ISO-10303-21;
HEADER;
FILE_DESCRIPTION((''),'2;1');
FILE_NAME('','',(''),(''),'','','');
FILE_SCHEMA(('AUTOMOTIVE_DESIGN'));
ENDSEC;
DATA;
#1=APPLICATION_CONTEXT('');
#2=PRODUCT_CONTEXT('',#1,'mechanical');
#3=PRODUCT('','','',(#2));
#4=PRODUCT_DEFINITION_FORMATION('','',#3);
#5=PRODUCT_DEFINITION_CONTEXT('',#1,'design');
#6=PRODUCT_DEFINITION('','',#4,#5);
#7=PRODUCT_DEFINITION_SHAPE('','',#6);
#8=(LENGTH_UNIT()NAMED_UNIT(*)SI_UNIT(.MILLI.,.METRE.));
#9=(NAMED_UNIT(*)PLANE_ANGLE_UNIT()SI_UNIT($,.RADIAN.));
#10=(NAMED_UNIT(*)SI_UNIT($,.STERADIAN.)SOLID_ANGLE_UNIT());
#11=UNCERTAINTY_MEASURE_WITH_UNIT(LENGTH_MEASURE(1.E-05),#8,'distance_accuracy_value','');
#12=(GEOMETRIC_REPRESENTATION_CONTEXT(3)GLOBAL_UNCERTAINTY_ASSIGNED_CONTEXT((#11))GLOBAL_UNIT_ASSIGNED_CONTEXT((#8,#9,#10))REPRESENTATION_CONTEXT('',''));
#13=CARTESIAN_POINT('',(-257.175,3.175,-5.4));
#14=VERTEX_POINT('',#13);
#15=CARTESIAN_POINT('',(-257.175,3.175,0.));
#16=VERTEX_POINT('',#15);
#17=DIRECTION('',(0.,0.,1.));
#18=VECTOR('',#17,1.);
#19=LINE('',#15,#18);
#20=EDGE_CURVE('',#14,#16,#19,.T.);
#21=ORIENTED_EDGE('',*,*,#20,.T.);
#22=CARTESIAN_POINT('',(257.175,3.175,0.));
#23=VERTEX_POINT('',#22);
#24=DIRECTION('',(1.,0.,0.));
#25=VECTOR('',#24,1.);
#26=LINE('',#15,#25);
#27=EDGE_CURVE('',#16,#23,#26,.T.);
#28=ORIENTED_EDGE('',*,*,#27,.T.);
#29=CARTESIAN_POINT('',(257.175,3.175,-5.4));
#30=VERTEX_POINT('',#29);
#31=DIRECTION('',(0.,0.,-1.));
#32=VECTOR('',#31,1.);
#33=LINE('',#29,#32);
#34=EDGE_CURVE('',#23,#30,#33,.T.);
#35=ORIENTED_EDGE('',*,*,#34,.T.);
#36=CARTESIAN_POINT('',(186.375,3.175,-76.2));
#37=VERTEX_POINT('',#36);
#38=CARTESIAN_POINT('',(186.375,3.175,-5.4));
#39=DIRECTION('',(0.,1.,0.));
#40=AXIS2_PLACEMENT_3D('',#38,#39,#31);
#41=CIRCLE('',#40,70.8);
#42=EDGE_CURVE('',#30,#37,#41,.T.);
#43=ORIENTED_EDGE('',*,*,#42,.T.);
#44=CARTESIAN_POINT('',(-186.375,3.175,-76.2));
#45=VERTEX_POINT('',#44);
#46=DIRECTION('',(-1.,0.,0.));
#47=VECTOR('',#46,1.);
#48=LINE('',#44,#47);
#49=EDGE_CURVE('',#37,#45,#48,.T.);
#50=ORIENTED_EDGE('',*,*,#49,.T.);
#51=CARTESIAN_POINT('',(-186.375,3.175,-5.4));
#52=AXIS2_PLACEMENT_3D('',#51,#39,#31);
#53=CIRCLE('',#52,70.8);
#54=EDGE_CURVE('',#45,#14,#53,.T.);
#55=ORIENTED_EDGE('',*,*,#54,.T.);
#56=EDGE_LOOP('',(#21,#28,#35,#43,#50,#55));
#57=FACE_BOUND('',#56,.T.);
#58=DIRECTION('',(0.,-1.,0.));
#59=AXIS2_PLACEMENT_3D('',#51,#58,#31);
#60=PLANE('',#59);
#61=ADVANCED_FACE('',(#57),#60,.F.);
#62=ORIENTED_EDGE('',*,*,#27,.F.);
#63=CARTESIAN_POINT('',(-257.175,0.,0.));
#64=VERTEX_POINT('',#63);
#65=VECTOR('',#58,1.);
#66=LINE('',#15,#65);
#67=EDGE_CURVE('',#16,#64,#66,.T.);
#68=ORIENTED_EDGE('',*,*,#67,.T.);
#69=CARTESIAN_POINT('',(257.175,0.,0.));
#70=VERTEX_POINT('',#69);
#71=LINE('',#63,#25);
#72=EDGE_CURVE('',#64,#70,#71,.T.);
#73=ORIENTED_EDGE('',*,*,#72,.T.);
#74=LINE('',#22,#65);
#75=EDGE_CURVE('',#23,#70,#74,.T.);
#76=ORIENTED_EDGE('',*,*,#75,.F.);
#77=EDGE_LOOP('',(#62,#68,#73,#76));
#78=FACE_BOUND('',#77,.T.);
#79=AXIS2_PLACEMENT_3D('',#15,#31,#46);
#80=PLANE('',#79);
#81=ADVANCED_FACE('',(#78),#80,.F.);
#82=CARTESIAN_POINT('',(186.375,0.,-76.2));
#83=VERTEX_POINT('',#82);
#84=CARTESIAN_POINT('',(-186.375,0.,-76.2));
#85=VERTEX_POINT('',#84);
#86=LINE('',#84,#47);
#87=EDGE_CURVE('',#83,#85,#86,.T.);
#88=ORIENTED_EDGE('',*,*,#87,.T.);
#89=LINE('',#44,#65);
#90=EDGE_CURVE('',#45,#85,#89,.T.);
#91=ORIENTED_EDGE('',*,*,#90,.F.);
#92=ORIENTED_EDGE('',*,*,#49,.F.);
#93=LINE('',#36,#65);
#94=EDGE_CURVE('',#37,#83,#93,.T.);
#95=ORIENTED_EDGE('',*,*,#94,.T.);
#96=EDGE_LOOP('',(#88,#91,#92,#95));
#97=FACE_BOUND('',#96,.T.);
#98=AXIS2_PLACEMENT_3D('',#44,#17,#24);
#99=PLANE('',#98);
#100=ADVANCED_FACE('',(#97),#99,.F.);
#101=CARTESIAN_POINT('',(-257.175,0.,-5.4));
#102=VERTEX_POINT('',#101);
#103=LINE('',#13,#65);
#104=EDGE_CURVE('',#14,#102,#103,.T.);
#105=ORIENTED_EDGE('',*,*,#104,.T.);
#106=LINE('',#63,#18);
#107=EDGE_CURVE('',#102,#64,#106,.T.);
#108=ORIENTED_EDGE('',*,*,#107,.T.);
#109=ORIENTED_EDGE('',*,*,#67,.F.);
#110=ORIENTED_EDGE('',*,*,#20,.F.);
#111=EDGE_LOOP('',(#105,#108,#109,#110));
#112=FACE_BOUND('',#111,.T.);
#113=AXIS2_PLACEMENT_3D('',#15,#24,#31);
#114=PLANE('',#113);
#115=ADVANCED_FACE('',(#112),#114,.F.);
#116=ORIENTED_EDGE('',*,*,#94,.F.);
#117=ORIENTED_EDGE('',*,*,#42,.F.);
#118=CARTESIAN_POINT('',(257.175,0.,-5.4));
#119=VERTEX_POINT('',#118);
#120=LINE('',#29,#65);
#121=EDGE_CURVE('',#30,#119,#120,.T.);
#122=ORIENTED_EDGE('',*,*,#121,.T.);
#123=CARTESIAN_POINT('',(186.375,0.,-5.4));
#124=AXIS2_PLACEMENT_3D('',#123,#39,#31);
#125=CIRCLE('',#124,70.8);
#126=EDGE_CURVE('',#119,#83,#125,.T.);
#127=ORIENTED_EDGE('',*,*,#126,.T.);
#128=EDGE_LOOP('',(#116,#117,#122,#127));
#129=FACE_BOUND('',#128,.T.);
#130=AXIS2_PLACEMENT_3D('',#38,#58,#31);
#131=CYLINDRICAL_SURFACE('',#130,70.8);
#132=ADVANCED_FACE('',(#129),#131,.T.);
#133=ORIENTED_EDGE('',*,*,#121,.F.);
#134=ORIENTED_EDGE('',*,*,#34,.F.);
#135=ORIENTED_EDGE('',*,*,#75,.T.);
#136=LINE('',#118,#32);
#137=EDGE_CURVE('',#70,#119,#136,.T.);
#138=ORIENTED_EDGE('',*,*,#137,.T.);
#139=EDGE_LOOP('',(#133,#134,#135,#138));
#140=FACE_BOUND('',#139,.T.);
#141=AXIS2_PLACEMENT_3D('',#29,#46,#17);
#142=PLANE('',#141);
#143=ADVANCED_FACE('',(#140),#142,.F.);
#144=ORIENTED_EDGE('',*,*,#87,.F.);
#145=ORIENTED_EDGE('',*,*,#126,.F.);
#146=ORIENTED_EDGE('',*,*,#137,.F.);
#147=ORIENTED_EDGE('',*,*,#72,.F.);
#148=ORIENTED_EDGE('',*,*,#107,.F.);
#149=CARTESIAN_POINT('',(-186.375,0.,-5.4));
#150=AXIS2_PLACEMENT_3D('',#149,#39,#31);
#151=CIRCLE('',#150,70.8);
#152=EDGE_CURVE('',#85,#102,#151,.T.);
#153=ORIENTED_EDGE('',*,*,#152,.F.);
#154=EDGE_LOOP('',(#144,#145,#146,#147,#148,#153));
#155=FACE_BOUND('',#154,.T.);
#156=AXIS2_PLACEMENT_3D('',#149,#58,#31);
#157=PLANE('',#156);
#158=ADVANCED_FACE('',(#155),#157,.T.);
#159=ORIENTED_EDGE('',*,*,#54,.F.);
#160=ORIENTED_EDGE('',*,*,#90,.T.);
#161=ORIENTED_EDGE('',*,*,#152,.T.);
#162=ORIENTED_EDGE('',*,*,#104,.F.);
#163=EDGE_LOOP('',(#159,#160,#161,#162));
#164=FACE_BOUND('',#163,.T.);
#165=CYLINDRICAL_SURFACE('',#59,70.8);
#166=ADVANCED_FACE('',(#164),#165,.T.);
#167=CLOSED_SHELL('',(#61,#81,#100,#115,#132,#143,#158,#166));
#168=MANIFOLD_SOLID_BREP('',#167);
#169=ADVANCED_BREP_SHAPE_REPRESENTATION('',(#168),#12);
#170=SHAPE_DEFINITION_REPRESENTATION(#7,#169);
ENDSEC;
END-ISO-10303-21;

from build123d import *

# Parameters (mm, degrees)
BOSS_EXTRUDE1_DEPTH = 3.175


with BuildPart() as part:
    # Sketch1 → Boss-Extrude1 (new body)
    with BuildSketch(Plane(origin=(0, 0, 0), x_dir=(1, 0, 0), z_dir=(0, 1, 0))):
        with BuildLine():
            Line((-257.175, 0), (257.175, 0))
            Line((257.175, 0), (257.175, 5.4))
            ThreePointArc((257.175, 5.4), (236.438160108, 55.463160108), (186.375, 76.2))
            Line((186.375, 76.2), (-186.375, 76.2))
            ThreePointArc((-186.375, 76.2), (-236.438160108, 55.463160108), (-257.175, 5.4))
            Line((-257.175, 5.4), (-257.175, 0))
        make_face()
    extrude(amount=BOSS_EXTRUDE1_DEPTH)


solid = part.part
